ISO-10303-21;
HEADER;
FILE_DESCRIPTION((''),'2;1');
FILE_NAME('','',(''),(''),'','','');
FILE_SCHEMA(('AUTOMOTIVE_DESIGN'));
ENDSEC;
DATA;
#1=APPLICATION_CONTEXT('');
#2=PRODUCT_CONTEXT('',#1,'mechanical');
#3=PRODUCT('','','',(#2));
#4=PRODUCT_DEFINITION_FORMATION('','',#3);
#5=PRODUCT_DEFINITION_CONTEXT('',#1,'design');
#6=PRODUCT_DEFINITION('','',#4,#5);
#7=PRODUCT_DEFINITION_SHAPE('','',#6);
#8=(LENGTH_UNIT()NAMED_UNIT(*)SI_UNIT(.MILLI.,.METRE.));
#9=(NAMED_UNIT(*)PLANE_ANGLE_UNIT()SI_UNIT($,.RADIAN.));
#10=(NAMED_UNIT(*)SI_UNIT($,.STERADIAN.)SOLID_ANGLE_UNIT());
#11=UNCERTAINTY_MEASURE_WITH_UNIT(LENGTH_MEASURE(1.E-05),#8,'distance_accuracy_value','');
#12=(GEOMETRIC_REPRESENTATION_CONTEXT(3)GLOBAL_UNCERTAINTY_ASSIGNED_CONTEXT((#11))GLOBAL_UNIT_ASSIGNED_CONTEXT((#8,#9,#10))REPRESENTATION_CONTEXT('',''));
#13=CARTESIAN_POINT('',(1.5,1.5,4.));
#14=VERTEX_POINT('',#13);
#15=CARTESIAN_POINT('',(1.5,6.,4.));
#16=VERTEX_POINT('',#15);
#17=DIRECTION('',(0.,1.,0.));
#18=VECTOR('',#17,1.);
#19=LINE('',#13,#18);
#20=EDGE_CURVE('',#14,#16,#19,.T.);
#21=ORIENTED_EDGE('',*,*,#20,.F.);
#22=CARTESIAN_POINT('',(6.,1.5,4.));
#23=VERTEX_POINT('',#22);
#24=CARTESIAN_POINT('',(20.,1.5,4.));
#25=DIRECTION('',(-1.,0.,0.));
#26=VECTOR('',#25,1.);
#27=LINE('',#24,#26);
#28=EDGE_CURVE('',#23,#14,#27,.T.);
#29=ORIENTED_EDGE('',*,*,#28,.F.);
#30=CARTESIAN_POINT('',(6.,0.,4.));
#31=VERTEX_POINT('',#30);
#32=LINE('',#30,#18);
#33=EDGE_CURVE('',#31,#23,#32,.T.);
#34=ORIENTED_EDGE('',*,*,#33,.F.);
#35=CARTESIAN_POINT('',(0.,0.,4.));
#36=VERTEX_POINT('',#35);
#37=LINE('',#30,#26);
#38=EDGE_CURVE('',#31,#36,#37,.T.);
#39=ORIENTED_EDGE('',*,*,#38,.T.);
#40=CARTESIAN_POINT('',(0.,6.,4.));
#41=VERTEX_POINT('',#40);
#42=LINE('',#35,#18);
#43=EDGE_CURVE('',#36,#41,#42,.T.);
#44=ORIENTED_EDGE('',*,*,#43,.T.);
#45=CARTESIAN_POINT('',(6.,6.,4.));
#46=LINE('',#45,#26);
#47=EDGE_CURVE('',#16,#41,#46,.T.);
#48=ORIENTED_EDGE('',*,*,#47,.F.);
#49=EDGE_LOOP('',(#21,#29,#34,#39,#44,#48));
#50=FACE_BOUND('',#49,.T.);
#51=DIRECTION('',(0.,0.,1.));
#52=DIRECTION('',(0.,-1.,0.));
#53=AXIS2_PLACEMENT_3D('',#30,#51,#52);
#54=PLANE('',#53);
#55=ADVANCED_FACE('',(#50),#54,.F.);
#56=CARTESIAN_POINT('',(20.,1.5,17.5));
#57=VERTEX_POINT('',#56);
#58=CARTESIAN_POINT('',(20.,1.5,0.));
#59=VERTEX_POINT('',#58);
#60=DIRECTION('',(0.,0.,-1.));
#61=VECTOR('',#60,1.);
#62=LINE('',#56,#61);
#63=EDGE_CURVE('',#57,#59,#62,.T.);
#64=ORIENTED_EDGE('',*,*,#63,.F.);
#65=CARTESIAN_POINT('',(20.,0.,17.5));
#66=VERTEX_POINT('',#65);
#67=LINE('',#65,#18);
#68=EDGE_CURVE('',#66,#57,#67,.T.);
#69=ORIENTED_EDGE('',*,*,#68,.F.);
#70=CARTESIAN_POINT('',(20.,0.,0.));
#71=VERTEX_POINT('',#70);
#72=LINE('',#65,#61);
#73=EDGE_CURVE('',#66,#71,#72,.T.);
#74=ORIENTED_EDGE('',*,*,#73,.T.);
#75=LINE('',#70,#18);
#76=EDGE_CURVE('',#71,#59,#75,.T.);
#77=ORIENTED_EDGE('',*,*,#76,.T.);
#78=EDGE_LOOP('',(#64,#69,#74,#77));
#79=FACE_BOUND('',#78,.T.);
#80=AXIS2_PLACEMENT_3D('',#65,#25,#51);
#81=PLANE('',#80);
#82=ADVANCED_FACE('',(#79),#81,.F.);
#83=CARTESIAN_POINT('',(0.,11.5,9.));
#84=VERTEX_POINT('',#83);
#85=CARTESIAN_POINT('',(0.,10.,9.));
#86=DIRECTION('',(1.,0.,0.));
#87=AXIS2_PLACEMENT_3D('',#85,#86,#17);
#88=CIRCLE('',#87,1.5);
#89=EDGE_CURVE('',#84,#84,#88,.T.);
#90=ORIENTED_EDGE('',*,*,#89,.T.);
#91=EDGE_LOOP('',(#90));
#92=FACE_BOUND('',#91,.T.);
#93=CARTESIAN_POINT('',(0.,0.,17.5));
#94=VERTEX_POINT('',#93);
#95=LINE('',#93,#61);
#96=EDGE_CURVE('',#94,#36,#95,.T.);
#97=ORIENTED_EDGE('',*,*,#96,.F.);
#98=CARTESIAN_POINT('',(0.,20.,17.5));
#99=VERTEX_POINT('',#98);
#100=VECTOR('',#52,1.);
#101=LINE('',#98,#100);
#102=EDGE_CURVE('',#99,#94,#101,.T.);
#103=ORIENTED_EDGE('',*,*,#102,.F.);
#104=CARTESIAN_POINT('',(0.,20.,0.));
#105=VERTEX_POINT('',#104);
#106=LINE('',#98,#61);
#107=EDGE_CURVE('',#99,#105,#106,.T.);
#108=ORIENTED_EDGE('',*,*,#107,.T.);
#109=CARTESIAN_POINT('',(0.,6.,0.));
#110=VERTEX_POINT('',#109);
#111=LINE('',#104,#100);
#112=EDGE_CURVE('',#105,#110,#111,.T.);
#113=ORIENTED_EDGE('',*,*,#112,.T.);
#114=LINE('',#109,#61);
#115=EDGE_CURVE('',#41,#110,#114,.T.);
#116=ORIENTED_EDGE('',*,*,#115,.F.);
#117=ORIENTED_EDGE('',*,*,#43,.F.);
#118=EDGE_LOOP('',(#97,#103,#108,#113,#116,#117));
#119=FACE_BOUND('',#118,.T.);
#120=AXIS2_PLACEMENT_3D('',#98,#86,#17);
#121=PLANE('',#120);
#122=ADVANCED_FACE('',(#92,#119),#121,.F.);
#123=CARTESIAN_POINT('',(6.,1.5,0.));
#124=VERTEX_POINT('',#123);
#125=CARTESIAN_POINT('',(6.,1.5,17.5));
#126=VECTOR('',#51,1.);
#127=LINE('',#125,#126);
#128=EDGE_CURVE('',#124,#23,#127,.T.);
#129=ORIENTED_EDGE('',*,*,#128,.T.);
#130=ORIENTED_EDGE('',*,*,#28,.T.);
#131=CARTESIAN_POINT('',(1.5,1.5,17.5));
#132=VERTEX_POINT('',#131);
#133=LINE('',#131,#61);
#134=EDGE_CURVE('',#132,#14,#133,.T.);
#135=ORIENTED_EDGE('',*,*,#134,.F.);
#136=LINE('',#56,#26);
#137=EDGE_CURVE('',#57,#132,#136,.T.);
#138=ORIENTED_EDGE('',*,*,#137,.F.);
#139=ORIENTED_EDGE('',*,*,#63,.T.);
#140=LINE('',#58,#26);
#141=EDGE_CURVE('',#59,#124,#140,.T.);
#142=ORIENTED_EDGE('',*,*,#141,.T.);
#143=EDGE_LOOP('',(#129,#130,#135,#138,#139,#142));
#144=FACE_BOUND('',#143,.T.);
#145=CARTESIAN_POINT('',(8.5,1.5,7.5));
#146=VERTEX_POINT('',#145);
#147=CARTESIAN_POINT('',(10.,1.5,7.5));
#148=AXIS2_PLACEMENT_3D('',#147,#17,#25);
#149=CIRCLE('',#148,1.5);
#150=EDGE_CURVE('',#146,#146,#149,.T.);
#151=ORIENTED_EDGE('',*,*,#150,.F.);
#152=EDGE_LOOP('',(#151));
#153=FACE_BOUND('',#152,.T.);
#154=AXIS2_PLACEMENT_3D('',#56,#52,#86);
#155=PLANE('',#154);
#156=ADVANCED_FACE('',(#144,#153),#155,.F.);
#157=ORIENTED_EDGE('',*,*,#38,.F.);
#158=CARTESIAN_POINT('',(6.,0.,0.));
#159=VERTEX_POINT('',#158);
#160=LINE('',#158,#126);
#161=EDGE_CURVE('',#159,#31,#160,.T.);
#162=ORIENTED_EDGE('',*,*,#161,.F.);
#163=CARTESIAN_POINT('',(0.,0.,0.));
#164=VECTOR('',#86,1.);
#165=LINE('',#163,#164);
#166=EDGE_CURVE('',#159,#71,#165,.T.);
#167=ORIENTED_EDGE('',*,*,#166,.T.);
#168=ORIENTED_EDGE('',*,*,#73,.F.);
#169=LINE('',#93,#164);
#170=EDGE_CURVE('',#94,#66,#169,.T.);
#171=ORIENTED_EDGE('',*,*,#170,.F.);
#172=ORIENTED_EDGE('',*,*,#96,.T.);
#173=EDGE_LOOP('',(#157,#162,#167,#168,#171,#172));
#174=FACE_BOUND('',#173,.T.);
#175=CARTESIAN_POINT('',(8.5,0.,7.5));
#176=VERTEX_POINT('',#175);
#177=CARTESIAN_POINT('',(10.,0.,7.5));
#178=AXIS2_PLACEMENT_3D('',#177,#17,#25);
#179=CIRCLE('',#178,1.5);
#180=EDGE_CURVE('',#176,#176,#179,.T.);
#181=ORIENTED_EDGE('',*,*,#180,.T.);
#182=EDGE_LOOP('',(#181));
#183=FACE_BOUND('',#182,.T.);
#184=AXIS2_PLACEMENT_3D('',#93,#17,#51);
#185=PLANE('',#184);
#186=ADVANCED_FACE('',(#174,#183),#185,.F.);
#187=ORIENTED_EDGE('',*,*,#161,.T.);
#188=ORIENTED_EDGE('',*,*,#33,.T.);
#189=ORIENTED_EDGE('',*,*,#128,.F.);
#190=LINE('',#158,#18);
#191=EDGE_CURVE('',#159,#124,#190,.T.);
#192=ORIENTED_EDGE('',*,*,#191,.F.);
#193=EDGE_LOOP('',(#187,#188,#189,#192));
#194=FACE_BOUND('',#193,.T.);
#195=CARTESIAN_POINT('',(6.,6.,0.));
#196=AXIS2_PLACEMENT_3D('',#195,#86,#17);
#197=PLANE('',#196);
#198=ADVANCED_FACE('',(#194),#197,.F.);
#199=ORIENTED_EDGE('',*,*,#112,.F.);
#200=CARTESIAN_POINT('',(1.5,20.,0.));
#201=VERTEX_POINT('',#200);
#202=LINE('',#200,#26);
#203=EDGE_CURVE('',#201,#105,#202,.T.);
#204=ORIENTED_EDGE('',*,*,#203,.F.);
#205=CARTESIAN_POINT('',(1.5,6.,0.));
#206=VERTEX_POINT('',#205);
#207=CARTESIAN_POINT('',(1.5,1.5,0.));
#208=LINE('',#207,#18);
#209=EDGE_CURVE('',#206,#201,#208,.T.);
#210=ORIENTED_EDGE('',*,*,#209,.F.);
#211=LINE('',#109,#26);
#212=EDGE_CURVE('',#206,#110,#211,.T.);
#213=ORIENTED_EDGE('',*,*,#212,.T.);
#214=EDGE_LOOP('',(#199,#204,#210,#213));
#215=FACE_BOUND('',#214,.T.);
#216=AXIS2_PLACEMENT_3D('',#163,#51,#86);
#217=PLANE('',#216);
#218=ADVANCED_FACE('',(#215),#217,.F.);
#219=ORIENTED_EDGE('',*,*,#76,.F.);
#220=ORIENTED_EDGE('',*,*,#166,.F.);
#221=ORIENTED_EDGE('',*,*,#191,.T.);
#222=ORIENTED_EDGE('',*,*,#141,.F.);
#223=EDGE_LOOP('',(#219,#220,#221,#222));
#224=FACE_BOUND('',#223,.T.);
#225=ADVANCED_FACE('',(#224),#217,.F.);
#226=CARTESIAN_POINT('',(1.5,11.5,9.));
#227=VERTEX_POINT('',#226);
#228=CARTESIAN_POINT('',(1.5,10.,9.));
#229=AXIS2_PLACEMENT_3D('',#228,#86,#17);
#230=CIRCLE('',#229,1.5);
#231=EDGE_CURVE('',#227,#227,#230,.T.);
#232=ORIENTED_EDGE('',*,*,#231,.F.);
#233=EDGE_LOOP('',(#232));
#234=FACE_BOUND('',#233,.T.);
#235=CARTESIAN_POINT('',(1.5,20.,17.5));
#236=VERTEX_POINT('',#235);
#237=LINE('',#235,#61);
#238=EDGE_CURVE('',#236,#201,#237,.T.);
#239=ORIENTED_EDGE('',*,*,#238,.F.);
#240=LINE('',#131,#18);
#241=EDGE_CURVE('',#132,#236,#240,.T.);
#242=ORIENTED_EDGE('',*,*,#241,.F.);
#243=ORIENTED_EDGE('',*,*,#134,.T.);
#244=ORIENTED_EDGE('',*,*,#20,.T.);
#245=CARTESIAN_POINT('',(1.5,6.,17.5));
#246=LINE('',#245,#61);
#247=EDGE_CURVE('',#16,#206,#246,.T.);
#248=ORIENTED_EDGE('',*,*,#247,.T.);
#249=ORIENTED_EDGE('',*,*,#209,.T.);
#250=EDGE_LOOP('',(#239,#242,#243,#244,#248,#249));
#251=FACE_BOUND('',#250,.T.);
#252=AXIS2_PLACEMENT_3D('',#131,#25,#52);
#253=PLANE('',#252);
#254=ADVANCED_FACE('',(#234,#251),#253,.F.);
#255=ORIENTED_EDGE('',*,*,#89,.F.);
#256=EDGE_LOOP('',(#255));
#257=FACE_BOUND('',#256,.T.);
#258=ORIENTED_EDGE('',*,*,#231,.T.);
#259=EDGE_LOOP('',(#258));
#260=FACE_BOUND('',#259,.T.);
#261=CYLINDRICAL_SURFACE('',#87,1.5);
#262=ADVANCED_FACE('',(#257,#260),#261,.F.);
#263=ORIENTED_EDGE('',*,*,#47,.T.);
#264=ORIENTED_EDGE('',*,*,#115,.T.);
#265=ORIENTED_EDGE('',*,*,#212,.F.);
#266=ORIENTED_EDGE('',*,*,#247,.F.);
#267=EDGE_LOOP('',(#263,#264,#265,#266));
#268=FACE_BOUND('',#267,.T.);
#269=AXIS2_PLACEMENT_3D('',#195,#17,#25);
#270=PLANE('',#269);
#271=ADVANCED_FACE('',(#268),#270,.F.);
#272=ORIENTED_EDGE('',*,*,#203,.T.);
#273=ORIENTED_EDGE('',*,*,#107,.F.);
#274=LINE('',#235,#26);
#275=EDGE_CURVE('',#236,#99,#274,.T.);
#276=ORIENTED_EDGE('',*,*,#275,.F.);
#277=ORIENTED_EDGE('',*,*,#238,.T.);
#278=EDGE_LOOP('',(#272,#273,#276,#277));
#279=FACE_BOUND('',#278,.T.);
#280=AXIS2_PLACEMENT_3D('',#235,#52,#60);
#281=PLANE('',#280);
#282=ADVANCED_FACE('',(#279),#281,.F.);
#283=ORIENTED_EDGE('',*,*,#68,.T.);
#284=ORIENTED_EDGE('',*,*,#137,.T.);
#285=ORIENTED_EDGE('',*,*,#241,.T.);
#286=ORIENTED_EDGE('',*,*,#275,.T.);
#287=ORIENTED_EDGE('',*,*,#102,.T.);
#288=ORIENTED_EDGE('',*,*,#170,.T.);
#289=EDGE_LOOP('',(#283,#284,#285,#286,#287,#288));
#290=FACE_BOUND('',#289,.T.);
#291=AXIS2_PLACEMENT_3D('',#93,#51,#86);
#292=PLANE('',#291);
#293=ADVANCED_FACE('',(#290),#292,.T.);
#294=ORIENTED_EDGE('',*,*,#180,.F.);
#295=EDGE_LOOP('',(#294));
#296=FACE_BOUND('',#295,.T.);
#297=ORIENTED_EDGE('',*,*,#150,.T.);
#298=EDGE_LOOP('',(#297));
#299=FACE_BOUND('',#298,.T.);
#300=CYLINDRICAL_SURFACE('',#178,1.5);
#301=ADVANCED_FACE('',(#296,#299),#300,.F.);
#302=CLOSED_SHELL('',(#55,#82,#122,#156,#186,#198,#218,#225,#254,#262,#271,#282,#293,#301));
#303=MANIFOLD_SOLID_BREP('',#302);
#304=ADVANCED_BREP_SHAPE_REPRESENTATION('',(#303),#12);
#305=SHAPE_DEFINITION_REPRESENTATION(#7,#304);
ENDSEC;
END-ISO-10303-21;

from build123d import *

# Parameters (mm, degrees)
EXTRUSION1_DEPTH = 17.5
ESQUISSE7_R      = 1.5
EXTRUSION7_DEPTH = 33.380549717
ESQUISSE9_R      = 1.5
EXTRUSION8_DEPTH = 33.380549717
ESQUISSE10_W     = 4
ESQUISSE10_H     = 6
EXTRUSION9_DEPTH = 6


with BuildPart() as part:
    # Esquisse1 → Extrusion1 (new body)
    with BuildSketch(Plane.XY):
        Polygon((0, 0), (20, 0), (20, 1.5), (1.5, 1.5), (1.5, 20), (0, 20), align=None)
    extrude(amount=EXTRUSION1_DEPTH)

    # Esquisse7 → Extrusion7 (cut, through all)
    with BuildSketch(Plane(origin=(0, 1.5, 0), x_dir=(-1, 0, 0), z_dir=(0, 1, 0))):
        with Locations((-10, 7.5)):
            Circle(ESQUISSE7_R)
    extrude(amount=-EXTRUSION7_DEPTH, mode=Mode.SUBTRACT)

    # Esquisse9 → Extrusion8 (cut, through all)
    with BuildSketch(Plane(origin=(1.5, 0, 0), x_dir=(0, 0, -1), z_dir=(1, 0, 0))):
        with Locations(Location((-9, 10, 0), (0, 0, 90))):
            Circle(ESQUISSE9_R)
    extrude(amount=-EXTRUSION8_DEPTH, mode=Mode.SUBTRACT)

    # Esquisse10 → Extrusion9 (cut)
    with BuildSketch(Plane.ZY):
        with Locations((2, 3)):
            Rectangle(ESQUISSE10_W, ESQUISSE10_H)
    extrude(amount=-EXTRUSION9_DEPTH, mode=Mode.SUBTRACT)


solid = part.part
